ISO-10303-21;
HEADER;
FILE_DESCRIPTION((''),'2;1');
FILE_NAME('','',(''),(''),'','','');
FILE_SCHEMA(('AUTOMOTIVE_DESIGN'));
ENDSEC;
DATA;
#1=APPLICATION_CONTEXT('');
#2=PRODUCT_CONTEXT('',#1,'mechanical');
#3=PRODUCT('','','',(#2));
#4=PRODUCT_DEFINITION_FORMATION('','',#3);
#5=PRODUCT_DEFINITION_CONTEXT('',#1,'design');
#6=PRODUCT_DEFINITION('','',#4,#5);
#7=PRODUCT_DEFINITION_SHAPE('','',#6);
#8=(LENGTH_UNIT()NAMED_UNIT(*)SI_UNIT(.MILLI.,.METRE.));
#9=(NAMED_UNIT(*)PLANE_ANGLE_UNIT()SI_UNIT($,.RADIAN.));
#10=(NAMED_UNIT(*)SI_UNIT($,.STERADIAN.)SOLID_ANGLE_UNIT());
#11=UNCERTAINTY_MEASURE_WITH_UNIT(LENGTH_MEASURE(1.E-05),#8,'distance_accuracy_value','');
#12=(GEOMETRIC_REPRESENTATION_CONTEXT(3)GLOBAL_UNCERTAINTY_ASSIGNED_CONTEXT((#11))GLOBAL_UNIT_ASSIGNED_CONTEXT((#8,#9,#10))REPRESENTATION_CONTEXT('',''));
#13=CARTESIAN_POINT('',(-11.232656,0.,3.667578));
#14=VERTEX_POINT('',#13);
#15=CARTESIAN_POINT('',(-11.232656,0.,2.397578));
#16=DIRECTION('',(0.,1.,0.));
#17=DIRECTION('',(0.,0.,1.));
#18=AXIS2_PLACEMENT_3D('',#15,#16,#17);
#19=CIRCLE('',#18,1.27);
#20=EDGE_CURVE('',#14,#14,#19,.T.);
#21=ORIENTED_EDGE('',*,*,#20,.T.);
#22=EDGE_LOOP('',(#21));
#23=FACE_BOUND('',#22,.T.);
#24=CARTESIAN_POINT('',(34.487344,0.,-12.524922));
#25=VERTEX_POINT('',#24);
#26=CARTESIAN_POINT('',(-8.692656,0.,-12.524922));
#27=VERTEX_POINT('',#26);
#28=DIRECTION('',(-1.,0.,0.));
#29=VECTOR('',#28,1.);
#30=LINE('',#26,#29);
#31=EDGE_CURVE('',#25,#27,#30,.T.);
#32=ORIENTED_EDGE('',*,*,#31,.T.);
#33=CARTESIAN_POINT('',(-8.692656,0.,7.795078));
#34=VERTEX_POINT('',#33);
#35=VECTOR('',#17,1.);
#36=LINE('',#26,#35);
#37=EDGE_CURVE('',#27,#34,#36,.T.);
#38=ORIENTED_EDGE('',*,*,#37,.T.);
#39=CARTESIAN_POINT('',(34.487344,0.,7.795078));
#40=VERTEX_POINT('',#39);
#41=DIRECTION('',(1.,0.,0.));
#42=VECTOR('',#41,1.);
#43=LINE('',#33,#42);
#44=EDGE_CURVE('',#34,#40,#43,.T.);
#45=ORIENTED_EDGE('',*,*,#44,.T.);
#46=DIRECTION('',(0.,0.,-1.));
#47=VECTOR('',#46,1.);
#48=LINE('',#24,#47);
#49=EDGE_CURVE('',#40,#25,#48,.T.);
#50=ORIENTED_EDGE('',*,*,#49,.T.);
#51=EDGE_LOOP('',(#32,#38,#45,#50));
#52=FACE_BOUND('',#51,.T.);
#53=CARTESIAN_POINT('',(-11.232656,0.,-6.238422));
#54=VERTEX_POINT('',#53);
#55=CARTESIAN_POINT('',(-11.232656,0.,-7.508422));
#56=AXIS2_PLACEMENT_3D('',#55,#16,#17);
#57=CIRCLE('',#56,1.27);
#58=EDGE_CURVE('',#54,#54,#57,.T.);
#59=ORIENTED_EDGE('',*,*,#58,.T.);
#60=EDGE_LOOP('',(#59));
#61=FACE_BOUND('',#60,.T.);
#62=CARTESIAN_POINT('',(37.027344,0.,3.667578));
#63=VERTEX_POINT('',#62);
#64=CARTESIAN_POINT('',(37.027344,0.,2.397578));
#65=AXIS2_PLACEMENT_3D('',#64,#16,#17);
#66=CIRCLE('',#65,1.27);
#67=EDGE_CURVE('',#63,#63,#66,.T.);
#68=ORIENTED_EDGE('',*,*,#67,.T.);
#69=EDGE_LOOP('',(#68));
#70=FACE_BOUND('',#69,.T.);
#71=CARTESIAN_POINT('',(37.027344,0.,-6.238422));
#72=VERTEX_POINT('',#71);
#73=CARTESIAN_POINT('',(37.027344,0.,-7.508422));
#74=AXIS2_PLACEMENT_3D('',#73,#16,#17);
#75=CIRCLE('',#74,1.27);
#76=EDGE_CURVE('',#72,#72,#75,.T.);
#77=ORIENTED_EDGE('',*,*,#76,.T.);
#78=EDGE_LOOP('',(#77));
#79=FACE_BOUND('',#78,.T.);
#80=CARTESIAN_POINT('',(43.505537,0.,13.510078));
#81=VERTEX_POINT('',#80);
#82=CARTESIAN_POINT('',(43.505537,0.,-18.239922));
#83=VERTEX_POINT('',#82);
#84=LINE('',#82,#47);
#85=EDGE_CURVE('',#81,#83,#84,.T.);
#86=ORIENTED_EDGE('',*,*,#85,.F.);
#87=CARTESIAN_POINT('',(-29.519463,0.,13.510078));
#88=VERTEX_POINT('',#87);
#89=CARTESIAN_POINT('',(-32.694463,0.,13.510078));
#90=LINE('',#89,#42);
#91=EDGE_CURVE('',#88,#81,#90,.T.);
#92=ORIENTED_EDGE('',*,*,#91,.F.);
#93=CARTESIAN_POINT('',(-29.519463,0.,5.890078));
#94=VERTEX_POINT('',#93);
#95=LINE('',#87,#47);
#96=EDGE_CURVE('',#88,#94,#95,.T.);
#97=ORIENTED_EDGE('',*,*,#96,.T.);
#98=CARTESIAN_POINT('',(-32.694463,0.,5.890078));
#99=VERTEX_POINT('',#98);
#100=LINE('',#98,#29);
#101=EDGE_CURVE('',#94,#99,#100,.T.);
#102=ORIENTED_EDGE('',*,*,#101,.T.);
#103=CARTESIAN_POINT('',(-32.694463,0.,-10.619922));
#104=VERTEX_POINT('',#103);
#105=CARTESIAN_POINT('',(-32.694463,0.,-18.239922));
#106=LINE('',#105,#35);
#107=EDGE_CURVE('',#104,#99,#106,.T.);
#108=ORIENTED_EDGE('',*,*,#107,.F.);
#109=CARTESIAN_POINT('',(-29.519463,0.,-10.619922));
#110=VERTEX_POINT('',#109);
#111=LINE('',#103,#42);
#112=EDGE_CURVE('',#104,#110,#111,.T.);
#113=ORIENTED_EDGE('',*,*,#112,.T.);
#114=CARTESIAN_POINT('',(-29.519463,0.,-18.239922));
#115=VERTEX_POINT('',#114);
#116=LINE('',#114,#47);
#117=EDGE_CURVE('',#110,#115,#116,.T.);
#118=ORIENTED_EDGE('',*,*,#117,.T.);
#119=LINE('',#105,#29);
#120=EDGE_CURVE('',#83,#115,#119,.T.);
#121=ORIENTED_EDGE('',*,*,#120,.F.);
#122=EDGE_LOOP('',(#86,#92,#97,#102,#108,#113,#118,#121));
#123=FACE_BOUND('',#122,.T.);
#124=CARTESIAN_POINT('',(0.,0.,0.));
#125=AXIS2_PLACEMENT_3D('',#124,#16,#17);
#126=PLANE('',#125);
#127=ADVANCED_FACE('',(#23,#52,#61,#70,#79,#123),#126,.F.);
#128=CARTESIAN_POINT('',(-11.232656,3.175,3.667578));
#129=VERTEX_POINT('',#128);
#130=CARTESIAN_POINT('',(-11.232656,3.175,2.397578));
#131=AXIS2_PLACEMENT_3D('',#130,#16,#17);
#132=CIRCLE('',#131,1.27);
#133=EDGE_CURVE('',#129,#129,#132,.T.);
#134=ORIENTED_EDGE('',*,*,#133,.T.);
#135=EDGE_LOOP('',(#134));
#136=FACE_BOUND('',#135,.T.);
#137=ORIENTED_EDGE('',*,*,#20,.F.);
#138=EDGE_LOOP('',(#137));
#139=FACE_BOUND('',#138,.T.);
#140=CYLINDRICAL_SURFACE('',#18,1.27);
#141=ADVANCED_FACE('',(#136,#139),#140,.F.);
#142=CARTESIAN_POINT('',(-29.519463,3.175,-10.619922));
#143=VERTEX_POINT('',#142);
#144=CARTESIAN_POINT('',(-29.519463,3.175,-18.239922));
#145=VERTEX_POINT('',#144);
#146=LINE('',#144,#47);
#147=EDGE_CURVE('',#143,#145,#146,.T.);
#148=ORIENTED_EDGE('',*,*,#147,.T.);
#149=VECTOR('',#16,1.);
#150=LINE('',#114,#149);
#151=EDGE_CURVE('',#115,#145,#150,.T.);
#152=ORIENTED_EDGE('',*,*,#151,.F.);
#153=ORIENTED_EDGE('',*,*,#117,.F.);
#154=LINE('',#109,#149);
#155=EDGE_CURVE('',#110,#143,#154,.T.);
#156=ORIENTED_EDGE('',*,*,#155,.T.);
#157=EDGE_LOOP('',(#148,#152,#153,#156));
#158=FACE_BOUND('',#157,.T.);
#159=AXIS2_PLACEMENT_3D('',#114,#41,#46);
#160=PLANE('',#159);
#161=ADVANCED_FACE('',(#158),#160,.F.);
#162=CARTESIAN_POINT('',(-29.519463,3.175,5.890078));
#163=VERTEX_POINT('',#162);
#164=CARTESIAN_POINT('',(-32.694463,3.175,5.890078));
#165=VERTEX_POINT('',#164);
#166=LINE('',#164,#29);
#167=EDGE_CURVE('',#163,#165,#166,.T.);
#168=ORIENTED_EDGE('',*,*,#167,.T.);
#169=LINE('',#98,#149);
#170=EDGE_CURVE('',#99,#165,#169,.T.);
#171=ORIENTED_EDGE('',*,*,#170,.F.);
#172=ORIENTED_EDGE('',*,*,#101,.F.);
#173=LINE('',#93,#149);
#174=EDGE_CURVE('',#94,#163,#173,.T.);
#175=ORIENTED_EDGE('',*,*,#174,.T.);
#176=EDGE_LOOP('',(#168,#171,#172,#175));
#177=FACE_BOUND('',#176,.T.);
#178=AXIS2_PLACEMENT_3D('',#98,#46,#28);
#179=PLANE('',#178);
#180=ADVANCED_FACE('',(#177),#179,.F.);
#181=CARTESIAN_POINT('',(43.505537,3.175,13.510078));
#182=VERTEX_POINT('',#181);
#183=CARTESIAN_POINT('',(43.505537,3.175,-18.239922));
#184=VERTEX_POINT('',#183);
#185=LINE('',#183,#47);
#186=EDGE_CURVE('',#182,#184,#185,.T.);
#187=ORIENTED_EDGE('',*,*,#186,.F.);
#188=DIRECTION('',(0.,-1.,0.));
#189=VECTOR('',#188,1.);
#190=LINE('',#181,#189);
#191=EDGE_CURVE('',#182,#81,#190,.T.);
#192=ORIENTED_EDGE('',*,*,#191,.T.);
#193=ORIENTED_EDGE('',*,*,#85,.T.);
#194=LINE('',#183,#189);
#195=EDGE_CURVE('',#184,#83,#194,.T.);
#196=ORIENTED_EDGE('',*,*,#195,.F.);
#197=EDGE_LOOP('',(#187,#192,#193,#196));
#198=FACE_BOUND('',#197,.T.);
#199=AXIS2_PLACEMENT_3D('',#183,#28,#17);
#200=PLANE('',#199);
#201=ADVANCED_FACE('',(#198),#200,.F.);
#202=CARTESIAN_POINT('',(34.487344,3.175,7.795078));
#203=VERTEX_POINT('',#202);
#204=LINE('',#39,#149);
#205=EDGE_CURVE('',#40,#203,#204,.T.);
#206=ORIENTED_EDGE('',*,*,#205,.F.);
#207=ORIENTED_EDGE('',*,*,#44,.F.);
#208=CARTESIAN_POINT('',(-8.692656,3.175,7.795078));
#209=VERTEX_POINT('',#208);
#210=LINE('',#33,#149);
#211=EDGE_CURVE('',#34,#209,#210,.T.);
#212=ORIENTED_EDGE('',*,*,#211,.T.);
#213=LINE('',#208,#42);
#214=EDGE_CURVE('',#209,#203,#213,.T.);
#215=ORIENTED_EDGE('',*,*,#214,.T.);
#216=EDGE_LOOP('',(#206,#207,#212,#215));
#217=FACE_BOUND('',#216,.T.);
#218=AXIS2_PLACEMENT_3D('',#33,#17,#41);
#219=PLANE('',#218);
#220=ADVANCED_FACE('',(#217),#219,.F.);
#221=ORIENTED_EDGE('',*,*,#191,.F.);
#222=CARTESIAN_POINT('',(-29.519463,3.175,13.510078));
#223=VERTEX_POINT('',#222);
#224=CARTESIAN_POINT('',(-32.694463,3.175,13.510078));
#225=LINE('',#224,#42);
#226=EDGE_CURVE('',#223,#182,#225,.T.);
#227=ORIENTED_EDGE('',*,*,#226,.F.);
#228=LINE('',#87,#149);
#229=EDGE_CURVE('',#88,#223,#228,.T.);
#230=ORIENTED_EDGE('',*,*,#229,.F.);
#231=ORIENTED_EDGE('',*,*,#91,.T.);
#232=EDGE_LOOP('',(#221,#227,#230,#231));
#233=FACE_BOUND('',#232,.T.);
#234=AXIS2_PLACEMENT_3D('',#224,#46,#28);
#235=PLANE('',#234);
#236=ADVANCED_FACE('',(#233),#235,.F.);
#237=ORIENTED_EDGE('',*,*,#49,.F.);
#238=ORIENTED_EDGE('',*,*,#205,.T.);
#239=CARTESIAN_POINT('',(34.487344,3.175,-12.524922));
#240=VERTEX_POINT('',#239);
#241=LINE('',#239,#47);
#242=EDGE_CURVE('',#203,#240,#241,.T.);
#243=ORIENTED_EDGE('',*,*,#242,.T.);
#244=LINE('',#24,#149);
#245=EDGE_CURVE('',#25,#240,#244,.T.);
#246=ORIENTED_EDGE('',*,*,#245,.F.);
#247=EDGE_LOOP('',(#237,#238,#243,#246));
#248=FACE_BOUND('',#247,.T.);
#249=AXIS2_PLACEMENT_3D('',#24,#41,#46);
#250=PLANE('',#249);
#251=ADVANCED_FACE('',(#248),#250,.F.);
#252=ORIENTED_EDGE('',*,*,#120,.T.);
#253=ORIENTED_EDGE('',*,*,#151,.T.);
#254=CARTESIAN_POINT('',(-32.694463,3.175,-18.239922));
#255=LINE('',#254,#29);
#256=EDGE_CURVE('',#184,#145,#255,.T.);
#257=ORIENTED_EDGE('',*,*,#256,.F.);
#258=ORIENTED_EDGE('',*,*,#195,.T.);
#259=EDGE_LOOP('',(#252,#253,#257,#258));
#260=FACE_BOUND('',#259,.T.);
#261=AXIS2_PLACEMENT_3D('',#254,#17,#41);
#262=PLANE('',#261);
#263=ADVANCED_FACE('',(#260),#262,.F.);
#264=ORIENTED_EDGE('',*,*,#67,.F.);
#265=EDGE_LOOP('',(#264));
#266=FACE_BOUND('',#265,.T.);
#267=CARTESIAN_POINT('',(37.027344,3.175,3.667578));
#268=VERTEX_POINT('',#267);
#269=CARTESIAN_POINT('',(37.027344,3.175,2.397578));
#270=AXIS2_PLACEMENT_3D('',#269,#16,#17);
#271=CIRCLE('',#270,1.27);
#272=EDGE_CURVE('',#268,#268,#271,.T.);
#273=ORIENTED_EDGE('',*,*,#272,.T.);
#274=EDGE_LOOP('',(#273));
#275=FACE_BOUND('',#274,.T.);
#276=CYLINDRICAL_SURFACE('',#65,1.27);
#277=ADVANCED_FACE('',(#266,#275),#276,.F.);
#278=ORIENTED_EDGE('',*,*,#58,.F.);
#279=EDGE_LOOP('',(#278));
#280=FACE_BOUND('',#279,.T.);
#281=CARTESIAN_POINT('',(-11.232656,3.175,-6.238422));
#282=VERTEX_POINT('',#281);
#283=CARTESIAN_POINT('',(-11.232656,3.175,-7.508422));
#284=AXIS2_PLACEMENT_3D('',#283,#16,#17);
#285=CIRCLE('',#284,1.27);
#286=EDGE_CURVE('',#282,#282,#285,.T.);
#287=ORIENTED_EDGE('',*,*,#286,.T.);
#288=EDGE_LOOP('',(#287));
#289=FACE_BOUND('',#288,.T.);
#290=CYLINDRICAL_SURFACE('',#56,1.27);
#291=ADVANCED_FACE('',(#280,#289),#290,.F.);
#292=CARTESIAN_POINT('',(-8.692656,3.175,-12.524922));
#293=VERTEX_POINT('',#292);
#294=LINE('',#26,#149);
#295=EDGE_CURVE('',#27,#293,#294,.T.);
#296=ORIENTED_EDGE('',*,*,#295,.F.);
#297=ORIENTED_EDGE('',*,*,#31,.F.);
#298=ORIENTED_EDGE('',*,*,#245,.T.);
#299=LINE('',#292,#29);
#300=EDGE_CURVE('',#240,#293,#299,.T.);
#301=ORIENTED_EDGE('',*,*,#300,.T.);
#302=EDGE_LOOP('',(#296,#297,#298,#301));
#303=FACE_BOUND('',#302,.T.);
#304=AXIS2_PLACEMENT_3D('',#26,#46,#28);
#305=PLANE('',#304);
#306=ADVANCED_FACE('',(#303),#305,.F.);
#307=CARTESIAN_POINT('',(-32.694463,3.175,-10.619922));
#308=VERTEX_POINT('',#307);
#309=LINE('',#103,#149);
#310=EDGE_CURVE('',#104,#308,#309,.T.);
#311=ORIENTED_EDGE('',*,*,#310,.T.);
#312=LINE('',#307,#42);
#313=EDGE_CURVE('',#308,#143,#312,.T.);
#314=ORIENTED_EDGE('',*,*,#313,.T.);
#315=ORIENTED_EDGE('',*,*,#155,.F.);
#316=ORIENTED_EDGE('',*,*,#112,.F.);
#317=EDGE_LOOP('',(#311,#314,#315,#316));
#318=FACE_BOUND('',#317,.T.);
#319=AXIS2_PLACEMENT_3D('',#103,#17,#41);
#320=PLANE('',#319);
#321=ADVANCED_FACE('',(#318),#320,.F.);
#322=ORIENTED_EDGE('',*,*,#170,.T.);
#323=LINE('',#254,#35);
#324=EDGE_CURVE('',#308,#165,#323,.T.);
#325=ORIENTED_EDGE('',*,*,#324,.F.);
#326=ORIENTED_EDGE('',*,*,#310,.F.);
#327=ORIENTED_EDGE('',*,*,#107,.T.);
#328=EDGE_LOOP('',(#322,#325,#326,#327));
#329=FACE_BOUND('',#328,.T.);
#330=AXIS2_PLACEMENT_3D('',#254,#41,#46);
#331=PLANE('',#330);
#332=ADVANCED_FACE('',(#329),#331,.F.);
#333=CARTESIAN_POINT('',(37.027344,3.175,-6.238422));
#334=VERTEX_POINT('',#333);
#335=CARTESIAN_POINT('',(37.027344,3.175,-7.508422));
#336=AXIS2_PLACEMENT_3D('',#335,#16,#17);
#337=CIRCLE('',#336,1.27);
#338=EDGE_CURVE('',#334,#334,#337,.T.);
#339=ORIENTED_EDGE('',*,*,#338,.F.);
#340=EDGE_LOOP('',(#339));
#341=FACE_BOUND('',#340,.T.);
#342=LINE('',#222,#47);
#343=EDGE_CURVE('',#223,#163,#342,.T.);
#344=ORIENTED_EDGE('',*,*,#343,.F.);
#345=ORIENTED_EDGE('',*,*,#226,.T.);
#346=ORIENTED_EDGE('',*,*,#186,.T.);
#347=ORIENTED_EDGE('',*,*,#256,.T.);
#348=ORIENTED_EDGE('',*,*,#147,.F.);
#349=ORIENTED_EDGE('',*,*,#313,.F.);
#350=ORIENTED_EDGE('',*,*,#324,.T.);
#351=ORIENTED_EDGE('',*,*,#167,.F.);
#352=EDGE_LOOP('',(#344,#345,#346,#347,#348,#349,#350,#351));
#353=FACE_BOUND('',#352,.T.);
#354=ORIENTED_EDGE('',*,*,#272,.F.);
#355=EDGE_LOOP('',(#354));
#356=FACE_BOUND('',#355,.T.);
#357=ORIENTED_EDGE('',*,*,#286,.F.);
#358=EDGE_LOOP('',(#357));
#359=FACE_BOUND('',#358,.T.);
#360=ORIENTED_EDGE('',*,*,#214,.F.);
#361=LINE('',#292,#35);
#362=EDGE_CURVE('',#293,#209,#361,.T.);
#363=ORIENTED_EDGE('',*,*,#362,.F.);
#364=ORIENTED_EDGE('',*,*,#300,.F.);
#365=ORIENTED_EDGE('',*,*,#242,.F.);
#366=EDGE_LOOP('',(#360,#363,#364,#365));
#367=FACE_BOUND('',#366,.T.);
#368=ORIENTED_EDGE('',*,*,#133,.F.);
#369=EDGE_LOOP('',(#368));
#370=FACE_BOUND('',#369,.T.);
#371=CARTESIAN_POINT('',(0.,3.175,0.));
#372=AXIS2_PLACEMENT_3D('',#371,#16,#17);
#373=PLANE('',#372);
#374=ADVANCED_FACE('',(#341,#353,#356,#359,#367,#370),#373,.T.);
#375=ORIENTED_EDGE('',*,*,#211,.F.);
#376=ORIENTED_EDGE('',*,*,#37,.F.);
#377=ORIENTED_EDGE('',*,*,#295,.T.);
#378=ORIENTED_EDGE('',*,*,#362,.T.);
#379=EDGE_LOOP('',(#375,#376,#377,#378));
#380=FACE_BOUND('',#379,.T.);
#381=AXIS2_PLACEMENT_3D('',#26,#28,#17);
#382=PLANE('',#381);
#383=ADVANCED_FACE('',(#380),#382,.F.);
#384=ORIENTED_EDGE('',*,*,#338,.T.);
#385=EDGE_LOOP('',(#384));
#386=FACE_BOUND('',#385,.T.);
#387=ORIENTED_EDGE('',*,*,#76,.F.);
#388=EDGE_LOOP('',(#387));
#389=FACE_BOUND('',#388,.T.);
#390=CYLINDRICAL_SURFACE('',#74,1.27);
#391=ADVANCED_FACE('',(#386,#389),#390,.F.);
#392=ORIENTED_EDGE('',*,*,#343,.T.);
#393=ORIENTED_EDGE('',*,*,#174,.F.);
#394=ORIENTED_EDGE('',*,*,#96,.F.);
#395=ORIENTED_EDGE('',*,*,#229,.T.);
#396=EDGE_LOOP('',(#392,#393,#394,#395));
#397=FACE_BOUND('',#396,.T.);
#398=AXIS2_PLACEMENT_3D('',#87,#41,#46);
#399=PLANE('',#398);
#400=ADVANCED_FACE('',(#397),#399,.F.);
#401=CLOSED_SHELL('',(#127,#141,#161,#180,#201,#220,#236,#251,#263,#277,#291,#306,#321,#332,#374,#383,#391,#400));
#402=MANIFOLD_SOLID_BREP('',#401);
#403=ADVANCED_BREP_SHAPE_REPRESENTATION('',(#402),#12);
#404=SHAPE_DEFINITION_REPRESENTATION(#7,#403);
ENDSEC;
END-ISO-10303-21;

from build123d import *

# Parameters (mm, degrees)
SKETCH1_W           = 76.2
SKETCH1_H           = 31.75
BOSS_EXTRUDE1_DEPTH = 3.175
SKETCH2_R           = 1.27
SKETCH2_W           = 3.175
SKETCH2_H           = 7.62
SKETCH2_W_2         = 43.18
SKETCH2_H_2         = 20.32
CUT_EXTRUDE1_DEPTH  = 3.175


with BuildPart() as part:
    # Sketch1 → Boss-Extrude1 (new body)
    with BuildSketch(Plane(origin=(0, 0, 0), x_dir=(1, 0, 0), z_dir=(0, 1, 0))):
        with Locations((5.405536898, 2.364922393)):
            Rectangle(SKETCH1_W, SKETCH1_H)
    extrude(amount=BOSS_EXTRUDE1_DEPTH)

    # Sketch2 → Cut-Extrude1 (cut)
    with BuildSketch(Plane(origin=(0, 3.175, 0), x_dir=(1, 0, 0), z_dir=(0, 1, 0))):
        with Locations(Location((37.027343522, 7.508422393, 0), (0, 0, 270))):
            Circle(SKETCH2_R)
        with Locations(Location((37.027343522, -2.397577607, 0), (0, 0, 270))):
            Circle(SKETCH2_R)
        with Locations(Location((-11.232656478, 7.508422393, 0), (0, 0, 270))):
            Circle(SKETCH2_R)
        with Locations(Location((-11.232656478, -2.397577607, 0), (0, 0, 270))):
            Circle(SKETCH2_R)
        with Locations((-31.106963102, 14.429922393)):
            Rectangle(SKETCH2_W, SKETCH2_H)
        with Locations((-31.106963102, -9.700077607)):
            Rectangle(SKETCH2_W, SKETCH2_H)
        with Locations((12.897343522, 2.364922393)):
            Rectangle(SKETCH2_W_2, SKETCH2_H_2)
    extrude(amount=-CUT_EXTRUDE1_DEPTH, mode=Mode.SUBTRACT)


solid = part.part
